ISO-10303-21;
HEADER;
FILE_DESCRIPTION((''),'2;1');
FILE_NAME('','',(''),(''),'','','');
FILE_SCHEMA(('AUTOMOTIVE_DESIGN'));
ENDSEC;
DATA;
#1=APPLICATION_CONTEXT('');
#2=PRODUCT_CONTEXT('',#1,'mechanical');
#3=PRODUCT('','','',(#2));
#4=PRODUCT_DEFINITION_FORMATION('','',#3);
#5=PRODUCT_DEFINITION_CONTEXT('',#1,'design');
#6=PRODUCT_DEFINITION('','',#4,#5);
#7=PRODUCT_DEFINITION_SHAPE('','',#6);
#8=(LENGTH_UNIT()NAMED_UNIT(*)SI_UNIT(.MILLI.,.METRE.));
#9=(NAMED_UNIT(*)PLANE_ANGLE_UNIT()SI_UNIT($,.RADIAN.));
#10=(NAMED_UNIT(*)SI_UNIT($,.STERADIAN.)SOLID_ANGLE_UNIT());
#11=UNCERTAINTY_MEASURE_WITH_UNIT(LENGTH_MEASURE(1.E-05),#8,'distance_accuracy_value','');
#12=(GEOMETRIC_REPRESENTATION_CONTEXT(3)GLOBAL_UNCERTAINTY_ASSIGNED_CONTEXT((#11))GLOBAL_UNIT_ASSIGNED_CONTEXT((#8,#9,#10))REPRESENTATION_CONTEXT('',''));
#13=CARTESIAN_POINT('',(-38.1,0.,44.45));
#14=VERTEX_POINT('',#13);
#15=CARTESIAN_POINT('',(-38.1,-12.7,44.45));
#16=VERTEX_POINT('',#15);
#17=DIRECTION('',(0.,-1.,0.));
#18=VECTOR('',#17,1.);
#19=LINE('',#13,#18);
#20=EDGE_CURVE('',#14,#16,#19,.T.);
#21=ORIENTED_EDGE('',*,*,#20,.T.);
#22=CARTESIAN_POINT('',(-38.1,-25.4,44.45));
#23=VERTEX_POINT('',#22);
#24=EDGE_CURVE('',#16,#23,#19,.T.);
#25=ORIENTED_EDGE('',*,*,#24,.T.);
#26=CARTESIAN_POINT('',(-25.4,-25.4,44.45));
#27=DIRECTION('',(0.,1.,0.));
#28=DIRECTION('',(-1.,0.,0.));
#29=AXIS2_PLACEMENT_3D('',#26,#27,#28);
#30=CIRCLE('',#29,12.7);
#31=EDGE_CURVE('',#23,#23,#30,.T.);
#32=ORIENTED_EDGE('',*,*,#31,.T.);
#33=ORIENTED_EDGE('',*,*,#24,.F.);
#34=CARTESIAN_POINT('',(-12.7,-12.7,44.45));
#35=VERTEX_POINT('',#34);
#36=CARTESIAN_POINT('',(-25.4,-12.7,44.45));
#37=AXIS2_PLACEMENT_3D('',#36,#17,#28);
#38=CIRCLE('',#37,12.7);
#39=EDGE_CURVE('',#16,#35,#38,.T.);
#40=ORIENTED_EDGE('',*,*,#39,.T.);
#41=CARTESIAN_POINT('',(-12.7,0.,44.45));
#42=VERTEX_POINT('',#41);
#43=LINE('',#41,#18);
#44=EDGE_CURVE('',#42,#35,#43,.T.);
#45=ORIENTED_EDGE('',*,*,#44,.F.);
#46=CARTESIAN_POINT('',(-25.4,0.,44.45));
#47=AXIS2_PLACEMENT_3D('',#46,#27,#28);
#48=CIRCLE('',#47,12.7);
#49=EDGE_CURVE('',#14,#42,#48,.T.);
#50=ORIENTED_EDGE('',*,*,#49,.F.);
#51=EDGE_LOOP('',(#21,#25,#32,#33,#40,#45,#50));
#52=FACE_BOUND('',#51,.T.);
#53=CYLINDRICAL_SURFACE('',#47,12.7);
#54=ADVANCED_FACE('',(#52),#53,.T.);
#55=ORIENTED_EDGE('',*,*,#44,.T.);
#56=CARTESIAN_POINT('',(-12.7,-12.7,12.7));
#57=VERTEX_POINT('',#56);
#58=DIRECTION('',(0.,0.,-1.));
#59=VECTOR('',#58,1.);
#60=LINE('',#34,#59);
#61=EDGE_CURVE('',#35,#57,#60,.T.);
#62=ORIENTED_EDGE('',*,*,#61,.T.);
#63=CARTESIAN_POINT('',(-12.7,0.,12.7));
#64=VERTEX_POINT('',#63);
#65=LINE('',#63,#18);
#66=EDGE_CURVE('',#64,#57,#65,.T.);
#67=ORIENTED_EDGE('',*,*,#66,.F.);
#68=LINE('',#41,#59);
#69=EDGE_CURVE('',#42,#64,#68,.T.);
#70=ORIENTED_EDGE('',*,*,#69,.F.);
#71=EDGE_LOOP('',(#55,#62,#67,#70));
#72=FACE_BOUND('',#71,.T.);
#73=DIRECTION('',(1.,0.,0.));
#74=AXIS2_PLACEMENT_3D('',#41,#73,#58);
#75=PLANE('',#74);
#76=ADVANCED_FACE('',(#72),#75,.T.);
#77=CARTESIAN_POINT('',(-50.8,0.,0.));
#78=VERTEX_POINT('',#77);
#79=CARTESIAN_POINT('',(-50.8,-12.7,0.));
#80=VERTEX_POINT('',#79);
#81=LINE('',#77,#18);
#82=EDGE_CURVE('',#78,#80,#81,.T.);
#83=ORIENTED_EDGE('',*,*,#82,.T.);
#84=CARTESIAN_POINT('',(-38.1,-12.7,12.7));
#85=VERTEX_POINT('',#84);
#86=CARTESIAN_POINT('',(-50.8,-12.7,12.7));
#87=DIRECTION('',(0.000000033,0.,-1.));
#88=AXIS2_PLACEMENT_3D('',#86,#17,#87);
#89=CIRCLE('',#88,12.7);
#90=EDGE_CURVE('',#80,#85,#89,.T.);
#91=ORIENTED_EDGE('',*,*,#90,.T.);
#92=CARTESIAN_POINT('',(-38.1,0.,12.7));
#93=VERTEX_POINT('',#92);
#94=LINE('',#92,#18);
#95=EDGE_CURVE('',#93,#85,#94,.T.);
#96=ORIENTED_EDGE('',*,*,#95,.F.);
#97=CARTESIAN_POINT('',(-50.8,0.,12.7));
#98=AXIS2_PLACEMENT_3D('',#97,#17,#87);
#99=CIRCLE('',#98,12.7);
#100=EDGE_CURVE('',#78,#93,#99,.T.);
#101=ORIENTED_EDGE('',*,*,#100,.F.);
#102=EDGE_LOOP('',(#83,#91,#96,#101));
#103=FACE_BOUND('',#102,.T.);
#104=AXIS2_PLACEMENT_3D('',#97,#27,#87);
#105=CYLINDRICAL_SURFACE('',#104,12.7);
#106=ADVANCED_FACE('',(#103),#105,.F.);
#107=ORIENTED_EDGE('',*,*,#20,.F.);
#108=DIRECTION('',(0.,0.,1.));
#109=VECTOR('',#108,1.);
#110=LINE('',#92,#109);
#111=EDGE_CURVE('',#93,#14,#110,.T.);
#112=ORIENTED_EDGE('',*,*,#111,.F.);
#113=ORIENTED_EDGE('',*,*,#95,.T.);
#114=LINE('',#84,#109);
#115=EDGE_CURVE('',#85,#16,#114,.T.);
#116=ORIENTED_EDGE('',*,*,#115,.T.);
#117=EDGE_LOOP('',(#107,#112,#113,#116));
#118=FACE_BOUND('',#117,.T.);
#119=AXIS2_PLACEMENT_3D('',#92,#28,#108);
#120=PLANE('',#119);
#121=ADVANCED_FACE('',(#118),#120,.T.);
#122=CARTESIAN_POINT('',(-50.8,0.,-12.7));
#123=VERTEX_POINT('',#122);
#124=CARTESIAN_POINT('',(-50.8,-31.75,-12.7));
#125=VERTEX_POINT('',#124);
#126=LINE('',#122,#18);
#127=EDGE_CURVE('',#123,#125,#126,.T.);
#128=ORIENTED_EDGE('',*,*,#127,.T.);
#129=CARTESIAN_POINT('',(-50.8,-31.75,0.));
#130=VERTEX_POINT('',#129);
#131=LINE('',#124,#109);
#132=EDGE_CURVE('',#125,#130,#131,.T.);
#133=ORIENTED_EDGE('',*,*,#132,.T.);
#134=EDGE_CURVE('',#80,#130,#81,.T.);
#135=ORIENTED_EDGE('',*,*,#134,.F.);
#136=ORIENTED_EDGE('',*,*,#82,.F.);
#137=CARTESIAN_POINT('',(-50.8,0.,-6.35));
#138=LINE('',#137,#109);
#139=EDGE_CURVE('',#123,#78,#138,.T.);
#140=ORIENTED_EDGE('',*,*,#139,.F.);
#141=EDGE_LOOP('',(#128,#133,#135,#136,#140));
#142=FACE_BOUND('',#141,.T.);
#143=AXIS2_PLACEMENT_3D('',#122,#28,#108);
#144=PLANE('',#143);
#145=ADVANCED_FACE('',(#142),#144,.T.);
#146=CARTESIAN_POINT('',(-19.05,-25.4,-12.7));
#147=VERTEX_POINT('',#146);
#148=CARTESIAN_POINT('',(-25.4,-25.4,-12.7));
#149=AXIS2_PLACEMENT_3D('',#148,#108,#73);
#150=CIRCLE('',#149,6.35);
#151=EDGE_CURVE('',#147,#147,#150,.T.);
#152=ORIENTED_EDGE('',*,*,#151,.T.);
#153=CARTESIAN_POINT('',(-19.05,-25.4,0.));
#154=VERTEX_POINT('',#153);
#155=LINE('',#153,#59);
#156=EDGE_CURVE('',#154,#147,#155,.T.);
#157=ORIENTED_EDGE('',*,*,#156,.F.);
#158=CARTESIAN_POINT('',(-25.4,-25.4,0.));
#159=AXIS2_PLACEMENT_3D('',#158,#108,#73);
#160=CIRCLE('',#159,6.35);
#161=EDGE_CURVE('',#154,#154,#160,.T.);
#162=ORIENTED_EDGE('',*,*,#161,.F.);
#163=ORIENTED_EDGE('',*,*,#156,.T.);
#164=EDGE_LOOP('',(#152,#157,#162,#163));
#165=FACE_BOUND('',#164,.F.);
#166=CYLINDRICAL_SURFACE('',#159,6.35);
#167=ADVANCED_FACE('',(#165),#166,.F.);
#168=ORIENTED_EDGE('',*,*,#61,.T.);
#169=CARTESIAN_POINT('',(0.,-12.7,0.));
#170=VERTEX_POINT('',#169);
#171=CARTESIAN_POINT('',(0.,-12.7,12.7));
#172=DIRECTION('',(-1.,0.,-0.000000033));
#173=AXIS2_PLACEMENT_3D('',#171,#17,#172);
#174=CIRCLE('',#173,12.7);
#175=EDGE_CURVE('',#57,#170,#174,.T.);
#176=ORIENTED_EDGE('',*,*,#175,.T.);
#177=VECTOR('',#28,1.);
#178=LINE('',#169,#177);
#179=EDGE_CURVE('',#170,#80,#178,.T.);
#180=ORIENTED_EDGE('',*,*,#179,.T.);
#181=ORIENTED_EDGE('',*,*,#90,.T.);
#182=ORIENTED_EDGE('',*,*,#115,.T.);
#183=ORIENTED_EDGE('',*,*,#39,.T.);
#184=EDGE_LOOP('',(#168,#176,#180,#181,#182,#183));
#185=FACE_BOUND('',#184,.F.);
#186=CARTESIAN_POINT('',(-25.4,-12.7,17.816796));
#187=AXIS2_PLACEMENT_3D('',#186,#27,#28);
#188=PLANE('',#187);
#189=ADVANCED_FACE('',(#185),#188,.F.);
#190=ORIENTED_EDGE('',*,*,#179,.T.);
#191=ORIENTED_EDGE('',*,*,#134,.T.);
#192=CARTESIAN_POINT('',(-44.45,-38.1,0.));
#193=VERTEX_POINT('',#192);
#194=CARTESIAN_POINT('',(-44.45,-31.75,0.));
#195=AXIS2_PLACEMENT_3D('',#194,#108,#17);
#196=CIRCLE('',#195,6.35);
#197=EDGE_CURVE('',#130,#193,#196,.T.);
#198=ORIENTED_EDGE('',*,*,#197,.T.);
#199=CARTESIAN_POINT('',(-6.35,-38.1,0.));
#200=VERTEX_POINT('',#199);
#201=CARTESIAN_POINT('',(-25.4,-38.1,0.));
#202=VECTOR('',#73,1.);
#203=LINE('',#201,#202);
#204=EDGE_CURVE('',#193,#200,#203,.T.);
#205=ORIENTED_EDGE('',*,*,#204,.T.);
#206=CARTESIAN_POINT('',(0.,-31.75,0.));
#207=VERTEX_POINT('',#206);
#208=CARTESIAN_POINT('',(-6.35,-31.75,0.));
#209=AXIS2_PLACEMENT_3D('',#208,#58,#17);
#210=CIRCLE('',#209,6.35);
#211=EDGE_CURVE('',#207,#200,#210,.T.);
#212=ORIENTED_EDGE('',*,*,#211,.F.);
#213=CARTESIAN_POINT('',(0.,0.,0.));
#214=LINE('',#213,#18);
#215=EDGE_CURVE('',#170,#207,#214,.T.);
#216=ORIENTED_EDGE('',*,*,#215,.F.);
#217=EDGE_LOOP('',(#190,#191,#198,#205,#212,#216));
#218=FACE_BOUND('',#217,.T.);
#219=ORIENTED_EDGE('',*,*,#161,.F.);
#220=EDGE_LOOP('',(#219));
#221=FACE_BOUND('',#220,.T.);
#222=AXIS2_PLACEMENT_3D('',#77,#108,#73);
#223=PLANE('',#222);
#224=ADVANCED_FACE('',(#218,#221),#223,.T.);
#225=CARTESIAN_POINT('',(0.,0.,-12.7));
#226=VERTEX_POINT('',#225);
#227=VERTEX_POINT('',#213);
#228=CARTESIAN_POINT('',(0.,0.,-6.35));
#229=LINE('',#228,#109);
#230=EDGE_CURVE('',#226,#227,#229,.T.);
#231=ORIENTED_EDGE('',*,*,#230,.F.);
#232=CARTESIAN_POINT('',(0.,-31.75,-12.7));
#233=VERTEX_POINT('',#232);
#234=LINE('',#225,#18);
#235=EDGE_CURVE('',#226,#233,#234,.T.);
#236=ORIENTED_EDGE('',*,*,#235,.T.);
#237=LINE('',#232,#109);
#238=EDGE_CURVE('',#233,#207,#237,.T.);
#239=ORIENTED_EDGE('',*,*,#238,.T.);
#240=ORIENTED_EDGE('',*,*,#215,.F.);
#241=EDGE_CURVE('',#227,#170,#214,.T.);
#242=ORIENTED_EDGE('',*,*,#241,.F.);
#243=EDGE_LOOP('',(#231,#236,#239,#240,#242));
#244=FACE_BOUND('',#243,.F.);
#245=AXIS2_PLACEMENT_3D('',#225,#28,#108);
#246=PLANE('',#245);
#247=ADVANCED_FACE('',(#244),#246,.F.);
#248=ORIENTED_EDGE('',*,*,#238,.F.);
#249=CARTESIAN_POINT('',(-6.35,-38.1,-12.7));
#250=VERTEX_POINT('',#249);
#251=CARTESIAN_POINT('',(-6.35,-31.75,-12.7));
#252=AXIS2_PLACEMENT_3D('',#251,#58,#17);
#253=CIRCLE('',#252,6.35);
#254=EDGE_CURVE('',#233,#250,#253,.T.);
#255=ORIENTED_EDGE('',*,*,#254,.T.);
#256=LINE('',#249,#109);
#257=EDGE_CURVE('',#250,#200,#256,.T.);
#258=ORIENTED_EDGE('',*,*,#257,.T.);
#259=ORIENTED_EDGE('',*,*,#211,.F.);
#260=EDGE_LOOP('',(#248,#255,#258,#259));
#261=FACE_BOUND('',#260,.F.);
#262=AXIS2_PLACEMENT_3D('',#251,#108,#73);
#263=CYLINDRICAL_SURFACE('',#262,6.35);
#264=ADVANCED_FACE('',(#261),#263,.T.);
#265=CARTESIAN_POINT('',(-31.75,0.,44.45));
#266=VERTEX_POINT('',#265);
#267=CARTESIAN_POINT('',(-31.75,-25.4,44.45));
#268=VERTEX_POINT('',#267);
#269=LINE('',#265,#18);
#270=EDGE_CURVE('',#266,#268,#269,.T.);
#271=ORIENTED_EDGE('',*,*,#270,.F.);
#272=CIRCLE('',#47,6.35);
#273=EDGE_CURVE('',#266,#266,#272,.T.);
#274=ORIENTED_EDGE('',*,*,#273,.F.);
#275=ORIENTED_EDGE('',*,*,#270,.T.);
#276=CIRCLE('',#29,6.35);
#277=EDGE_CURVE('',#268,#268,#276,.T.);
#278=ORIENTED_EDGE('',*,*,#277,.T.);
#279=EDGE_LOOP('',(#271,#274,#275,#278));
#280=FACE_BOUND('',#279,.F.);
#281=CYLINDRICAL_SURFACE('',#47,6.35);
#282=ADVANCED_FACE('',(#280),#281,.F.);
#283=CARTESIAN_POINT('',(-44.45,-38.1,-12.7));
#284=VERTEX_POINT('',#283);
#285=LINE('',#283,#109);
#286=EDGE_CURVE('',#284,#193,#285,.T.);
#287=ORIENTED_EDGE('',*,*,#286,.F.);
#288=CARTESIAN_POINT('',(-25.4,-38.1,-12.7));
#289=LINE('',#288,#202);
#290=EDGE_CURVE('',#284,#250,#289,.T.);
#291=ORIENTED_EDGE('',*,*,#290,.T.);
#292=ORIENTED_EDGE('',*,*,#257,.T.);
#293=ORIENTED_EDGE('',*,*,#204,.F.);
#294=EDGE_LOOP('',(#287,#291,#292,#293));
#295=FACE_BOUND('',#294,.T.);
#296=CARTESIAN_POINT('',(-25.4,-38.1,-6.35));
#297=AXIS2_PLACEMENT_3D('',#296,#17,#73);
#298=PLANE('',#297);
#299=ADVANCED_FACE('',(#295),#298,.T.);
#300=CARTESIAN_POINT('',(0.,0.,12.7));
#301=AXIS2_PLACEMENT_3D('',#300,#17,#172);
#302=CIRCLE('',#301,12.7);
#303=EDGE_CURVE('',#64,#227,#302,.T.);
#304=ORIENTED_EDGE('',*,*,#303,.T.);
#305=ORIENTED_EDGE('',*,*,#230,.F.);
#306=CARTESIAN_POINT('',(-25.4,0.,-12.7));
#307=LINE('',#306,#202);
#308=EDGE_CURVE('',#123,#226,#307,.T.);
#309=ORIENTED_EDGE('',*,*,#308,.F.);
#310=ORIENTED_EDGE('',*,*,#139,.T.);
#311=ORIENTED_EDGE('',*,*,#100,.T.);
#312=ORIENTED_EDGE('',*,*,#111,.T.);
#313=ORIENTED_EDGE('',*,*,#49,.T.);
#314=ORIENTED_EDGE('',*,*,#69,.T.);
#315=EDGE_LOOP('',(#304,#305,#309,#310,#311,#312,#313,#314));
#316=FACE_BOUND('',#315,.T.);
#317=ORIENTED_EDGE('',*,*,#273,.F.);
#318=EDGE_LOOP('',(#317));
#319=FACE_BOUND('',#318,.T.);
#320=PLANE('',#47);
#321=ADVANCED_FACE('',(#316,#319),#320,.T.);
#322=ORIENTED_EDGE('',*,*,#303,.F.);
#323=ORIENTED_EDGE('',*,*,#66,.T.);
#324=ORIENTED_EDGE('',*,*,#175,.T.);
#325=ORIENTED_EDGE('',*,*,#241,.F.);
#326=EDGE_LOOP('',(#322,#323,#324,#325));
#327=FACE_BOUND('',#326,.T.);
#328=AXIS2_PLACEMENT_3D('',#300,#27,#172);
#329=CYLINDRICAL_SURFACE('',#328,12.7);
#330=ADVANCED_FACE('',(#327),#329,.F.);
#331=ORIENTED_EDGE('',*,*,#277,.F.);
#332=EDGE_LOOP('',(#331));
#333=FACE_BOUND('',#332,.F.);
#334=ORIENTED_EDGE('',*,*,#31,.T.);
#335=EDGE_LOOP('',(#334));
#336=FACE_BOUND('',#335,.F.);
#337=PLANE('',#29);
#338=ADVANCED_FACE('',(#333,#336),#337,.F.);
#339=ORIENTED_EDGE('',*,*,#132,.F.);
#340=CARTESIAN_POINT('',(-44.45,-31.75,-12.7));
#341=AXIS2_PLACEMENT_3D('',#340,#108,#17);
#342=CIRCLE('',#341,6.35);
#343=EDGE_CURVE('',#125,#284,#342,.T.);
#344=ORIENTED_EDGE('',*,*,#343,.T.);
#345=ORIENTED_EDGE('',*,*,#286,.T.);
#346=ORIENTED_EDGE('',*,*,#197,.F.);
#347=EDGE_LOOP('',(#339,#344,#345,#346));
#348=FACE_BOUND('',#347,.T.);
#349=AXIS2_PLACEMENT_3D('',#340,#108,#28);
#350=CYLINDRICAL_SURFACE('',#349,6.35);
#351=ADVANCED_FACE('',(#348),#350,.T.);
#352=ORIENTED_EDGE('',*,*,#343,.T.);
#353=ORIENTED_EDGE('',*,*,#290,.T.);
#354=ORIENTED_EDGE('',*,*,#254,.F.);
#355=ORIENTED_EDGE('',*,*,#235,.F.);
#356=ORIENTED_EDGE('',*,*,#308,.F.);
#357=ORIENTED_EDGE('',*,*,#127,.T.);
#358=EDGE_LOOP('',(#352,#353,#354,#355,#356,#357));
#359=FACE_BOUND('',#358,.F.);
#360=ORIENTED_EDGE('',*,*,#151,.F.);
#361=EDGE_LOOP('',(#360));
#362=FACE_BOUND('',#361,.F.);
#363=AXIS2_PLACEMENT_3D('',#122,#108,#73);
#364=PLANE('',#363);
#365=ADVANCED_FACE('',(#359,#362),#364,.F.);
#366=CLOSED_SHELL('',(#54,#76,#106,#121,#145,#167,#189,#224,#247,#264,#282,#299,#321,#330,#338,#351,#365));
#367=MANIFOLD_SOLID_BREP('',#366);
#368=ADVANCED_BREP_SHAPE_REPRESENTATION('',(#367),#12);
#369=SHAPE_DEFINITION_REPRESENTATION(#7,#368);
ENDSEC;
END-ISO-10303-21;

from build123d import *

# Parameters (mm, degrees)
F0_W     = 50.8
F0_H     = 12.7
F1_DEPTH = 38.1
F3_DEPTH = 12.7
F2_R     = 6.35
F4_DEPTH = 25.4
F5_R     = 6.35
F6_DEPTH = 12.701
F7_R     = 6.35


with BuildPart() as f1:
    # F0 (on Front) → F1 (new body)
    with BuildSketch(Plane.XZ):
        with Locations((-25.4, -6.35)):
            Rectangle(F0_W, F0_H)
    extrude(amount=F1_DEPTH)

    # F2 (on face) → F3 (join)
    with BuildSketch(Plane(origin=(0, 0, 0), x_dir=(-1, 0, 0), z_dir=(0, 1, 0))):
        with BuildLine():
            Line((38.1, 12.7), (38.1, 44.45))
            ThreePointArc((38.1, 44.45), (25.4, 31.75), (12.7, 44.45))
            Line((12.7, 44.45), (12.7, 12.7))
            ThreePointArc((12.7, 12.7), (8.980256, 3.719744), (0, 0))
            Line((0, 0), (50.8, 0))
            ThreePointArc((50.8, 0), (41.819744, 3.719744), (38.1, 12.7))
        make_face()
    extrude(amount=-F3_DEPTH)

    # F2 (on face) → F4 (join)
    with BuildSketch(Plane(origin=(0, 0, 0), x_dir=(-1, 0, 0), z_dir=(0, 1, 0))):
        with BuildLine():
            ThreePointArc((12.7, 44.45), (25.4, 31.75), (38.1, 44.45))
            ThreePointArc((38.1, 44.45), (25.4, 57.15), (12.7, 44.45))
        make_face()
        with Locations((25.4, 44.45)):
            Circle(F2_R, mode=Mode.SUBTRACT)
    extrude(amount=-F4_DEPTH)

    # F5 (on face) → F6 (cut, through all)
    with BuildSketch(Plane.XY):
        with Locations((-25.4, -25.4)):
            Circle(F5_R)
    extrude(amount=-F6_DEPTH, mode=Mode.SUBTRACT)

    # F7
    f7_edges = [f1.edges().sort_by_distance(p)[0] for p in [
        (-50.8, -38.1, -6.35),
        (0, -38.1, -6.35),
    ]]
    fillet(f7_edges, radius=F7_R)


solid = f1.part
